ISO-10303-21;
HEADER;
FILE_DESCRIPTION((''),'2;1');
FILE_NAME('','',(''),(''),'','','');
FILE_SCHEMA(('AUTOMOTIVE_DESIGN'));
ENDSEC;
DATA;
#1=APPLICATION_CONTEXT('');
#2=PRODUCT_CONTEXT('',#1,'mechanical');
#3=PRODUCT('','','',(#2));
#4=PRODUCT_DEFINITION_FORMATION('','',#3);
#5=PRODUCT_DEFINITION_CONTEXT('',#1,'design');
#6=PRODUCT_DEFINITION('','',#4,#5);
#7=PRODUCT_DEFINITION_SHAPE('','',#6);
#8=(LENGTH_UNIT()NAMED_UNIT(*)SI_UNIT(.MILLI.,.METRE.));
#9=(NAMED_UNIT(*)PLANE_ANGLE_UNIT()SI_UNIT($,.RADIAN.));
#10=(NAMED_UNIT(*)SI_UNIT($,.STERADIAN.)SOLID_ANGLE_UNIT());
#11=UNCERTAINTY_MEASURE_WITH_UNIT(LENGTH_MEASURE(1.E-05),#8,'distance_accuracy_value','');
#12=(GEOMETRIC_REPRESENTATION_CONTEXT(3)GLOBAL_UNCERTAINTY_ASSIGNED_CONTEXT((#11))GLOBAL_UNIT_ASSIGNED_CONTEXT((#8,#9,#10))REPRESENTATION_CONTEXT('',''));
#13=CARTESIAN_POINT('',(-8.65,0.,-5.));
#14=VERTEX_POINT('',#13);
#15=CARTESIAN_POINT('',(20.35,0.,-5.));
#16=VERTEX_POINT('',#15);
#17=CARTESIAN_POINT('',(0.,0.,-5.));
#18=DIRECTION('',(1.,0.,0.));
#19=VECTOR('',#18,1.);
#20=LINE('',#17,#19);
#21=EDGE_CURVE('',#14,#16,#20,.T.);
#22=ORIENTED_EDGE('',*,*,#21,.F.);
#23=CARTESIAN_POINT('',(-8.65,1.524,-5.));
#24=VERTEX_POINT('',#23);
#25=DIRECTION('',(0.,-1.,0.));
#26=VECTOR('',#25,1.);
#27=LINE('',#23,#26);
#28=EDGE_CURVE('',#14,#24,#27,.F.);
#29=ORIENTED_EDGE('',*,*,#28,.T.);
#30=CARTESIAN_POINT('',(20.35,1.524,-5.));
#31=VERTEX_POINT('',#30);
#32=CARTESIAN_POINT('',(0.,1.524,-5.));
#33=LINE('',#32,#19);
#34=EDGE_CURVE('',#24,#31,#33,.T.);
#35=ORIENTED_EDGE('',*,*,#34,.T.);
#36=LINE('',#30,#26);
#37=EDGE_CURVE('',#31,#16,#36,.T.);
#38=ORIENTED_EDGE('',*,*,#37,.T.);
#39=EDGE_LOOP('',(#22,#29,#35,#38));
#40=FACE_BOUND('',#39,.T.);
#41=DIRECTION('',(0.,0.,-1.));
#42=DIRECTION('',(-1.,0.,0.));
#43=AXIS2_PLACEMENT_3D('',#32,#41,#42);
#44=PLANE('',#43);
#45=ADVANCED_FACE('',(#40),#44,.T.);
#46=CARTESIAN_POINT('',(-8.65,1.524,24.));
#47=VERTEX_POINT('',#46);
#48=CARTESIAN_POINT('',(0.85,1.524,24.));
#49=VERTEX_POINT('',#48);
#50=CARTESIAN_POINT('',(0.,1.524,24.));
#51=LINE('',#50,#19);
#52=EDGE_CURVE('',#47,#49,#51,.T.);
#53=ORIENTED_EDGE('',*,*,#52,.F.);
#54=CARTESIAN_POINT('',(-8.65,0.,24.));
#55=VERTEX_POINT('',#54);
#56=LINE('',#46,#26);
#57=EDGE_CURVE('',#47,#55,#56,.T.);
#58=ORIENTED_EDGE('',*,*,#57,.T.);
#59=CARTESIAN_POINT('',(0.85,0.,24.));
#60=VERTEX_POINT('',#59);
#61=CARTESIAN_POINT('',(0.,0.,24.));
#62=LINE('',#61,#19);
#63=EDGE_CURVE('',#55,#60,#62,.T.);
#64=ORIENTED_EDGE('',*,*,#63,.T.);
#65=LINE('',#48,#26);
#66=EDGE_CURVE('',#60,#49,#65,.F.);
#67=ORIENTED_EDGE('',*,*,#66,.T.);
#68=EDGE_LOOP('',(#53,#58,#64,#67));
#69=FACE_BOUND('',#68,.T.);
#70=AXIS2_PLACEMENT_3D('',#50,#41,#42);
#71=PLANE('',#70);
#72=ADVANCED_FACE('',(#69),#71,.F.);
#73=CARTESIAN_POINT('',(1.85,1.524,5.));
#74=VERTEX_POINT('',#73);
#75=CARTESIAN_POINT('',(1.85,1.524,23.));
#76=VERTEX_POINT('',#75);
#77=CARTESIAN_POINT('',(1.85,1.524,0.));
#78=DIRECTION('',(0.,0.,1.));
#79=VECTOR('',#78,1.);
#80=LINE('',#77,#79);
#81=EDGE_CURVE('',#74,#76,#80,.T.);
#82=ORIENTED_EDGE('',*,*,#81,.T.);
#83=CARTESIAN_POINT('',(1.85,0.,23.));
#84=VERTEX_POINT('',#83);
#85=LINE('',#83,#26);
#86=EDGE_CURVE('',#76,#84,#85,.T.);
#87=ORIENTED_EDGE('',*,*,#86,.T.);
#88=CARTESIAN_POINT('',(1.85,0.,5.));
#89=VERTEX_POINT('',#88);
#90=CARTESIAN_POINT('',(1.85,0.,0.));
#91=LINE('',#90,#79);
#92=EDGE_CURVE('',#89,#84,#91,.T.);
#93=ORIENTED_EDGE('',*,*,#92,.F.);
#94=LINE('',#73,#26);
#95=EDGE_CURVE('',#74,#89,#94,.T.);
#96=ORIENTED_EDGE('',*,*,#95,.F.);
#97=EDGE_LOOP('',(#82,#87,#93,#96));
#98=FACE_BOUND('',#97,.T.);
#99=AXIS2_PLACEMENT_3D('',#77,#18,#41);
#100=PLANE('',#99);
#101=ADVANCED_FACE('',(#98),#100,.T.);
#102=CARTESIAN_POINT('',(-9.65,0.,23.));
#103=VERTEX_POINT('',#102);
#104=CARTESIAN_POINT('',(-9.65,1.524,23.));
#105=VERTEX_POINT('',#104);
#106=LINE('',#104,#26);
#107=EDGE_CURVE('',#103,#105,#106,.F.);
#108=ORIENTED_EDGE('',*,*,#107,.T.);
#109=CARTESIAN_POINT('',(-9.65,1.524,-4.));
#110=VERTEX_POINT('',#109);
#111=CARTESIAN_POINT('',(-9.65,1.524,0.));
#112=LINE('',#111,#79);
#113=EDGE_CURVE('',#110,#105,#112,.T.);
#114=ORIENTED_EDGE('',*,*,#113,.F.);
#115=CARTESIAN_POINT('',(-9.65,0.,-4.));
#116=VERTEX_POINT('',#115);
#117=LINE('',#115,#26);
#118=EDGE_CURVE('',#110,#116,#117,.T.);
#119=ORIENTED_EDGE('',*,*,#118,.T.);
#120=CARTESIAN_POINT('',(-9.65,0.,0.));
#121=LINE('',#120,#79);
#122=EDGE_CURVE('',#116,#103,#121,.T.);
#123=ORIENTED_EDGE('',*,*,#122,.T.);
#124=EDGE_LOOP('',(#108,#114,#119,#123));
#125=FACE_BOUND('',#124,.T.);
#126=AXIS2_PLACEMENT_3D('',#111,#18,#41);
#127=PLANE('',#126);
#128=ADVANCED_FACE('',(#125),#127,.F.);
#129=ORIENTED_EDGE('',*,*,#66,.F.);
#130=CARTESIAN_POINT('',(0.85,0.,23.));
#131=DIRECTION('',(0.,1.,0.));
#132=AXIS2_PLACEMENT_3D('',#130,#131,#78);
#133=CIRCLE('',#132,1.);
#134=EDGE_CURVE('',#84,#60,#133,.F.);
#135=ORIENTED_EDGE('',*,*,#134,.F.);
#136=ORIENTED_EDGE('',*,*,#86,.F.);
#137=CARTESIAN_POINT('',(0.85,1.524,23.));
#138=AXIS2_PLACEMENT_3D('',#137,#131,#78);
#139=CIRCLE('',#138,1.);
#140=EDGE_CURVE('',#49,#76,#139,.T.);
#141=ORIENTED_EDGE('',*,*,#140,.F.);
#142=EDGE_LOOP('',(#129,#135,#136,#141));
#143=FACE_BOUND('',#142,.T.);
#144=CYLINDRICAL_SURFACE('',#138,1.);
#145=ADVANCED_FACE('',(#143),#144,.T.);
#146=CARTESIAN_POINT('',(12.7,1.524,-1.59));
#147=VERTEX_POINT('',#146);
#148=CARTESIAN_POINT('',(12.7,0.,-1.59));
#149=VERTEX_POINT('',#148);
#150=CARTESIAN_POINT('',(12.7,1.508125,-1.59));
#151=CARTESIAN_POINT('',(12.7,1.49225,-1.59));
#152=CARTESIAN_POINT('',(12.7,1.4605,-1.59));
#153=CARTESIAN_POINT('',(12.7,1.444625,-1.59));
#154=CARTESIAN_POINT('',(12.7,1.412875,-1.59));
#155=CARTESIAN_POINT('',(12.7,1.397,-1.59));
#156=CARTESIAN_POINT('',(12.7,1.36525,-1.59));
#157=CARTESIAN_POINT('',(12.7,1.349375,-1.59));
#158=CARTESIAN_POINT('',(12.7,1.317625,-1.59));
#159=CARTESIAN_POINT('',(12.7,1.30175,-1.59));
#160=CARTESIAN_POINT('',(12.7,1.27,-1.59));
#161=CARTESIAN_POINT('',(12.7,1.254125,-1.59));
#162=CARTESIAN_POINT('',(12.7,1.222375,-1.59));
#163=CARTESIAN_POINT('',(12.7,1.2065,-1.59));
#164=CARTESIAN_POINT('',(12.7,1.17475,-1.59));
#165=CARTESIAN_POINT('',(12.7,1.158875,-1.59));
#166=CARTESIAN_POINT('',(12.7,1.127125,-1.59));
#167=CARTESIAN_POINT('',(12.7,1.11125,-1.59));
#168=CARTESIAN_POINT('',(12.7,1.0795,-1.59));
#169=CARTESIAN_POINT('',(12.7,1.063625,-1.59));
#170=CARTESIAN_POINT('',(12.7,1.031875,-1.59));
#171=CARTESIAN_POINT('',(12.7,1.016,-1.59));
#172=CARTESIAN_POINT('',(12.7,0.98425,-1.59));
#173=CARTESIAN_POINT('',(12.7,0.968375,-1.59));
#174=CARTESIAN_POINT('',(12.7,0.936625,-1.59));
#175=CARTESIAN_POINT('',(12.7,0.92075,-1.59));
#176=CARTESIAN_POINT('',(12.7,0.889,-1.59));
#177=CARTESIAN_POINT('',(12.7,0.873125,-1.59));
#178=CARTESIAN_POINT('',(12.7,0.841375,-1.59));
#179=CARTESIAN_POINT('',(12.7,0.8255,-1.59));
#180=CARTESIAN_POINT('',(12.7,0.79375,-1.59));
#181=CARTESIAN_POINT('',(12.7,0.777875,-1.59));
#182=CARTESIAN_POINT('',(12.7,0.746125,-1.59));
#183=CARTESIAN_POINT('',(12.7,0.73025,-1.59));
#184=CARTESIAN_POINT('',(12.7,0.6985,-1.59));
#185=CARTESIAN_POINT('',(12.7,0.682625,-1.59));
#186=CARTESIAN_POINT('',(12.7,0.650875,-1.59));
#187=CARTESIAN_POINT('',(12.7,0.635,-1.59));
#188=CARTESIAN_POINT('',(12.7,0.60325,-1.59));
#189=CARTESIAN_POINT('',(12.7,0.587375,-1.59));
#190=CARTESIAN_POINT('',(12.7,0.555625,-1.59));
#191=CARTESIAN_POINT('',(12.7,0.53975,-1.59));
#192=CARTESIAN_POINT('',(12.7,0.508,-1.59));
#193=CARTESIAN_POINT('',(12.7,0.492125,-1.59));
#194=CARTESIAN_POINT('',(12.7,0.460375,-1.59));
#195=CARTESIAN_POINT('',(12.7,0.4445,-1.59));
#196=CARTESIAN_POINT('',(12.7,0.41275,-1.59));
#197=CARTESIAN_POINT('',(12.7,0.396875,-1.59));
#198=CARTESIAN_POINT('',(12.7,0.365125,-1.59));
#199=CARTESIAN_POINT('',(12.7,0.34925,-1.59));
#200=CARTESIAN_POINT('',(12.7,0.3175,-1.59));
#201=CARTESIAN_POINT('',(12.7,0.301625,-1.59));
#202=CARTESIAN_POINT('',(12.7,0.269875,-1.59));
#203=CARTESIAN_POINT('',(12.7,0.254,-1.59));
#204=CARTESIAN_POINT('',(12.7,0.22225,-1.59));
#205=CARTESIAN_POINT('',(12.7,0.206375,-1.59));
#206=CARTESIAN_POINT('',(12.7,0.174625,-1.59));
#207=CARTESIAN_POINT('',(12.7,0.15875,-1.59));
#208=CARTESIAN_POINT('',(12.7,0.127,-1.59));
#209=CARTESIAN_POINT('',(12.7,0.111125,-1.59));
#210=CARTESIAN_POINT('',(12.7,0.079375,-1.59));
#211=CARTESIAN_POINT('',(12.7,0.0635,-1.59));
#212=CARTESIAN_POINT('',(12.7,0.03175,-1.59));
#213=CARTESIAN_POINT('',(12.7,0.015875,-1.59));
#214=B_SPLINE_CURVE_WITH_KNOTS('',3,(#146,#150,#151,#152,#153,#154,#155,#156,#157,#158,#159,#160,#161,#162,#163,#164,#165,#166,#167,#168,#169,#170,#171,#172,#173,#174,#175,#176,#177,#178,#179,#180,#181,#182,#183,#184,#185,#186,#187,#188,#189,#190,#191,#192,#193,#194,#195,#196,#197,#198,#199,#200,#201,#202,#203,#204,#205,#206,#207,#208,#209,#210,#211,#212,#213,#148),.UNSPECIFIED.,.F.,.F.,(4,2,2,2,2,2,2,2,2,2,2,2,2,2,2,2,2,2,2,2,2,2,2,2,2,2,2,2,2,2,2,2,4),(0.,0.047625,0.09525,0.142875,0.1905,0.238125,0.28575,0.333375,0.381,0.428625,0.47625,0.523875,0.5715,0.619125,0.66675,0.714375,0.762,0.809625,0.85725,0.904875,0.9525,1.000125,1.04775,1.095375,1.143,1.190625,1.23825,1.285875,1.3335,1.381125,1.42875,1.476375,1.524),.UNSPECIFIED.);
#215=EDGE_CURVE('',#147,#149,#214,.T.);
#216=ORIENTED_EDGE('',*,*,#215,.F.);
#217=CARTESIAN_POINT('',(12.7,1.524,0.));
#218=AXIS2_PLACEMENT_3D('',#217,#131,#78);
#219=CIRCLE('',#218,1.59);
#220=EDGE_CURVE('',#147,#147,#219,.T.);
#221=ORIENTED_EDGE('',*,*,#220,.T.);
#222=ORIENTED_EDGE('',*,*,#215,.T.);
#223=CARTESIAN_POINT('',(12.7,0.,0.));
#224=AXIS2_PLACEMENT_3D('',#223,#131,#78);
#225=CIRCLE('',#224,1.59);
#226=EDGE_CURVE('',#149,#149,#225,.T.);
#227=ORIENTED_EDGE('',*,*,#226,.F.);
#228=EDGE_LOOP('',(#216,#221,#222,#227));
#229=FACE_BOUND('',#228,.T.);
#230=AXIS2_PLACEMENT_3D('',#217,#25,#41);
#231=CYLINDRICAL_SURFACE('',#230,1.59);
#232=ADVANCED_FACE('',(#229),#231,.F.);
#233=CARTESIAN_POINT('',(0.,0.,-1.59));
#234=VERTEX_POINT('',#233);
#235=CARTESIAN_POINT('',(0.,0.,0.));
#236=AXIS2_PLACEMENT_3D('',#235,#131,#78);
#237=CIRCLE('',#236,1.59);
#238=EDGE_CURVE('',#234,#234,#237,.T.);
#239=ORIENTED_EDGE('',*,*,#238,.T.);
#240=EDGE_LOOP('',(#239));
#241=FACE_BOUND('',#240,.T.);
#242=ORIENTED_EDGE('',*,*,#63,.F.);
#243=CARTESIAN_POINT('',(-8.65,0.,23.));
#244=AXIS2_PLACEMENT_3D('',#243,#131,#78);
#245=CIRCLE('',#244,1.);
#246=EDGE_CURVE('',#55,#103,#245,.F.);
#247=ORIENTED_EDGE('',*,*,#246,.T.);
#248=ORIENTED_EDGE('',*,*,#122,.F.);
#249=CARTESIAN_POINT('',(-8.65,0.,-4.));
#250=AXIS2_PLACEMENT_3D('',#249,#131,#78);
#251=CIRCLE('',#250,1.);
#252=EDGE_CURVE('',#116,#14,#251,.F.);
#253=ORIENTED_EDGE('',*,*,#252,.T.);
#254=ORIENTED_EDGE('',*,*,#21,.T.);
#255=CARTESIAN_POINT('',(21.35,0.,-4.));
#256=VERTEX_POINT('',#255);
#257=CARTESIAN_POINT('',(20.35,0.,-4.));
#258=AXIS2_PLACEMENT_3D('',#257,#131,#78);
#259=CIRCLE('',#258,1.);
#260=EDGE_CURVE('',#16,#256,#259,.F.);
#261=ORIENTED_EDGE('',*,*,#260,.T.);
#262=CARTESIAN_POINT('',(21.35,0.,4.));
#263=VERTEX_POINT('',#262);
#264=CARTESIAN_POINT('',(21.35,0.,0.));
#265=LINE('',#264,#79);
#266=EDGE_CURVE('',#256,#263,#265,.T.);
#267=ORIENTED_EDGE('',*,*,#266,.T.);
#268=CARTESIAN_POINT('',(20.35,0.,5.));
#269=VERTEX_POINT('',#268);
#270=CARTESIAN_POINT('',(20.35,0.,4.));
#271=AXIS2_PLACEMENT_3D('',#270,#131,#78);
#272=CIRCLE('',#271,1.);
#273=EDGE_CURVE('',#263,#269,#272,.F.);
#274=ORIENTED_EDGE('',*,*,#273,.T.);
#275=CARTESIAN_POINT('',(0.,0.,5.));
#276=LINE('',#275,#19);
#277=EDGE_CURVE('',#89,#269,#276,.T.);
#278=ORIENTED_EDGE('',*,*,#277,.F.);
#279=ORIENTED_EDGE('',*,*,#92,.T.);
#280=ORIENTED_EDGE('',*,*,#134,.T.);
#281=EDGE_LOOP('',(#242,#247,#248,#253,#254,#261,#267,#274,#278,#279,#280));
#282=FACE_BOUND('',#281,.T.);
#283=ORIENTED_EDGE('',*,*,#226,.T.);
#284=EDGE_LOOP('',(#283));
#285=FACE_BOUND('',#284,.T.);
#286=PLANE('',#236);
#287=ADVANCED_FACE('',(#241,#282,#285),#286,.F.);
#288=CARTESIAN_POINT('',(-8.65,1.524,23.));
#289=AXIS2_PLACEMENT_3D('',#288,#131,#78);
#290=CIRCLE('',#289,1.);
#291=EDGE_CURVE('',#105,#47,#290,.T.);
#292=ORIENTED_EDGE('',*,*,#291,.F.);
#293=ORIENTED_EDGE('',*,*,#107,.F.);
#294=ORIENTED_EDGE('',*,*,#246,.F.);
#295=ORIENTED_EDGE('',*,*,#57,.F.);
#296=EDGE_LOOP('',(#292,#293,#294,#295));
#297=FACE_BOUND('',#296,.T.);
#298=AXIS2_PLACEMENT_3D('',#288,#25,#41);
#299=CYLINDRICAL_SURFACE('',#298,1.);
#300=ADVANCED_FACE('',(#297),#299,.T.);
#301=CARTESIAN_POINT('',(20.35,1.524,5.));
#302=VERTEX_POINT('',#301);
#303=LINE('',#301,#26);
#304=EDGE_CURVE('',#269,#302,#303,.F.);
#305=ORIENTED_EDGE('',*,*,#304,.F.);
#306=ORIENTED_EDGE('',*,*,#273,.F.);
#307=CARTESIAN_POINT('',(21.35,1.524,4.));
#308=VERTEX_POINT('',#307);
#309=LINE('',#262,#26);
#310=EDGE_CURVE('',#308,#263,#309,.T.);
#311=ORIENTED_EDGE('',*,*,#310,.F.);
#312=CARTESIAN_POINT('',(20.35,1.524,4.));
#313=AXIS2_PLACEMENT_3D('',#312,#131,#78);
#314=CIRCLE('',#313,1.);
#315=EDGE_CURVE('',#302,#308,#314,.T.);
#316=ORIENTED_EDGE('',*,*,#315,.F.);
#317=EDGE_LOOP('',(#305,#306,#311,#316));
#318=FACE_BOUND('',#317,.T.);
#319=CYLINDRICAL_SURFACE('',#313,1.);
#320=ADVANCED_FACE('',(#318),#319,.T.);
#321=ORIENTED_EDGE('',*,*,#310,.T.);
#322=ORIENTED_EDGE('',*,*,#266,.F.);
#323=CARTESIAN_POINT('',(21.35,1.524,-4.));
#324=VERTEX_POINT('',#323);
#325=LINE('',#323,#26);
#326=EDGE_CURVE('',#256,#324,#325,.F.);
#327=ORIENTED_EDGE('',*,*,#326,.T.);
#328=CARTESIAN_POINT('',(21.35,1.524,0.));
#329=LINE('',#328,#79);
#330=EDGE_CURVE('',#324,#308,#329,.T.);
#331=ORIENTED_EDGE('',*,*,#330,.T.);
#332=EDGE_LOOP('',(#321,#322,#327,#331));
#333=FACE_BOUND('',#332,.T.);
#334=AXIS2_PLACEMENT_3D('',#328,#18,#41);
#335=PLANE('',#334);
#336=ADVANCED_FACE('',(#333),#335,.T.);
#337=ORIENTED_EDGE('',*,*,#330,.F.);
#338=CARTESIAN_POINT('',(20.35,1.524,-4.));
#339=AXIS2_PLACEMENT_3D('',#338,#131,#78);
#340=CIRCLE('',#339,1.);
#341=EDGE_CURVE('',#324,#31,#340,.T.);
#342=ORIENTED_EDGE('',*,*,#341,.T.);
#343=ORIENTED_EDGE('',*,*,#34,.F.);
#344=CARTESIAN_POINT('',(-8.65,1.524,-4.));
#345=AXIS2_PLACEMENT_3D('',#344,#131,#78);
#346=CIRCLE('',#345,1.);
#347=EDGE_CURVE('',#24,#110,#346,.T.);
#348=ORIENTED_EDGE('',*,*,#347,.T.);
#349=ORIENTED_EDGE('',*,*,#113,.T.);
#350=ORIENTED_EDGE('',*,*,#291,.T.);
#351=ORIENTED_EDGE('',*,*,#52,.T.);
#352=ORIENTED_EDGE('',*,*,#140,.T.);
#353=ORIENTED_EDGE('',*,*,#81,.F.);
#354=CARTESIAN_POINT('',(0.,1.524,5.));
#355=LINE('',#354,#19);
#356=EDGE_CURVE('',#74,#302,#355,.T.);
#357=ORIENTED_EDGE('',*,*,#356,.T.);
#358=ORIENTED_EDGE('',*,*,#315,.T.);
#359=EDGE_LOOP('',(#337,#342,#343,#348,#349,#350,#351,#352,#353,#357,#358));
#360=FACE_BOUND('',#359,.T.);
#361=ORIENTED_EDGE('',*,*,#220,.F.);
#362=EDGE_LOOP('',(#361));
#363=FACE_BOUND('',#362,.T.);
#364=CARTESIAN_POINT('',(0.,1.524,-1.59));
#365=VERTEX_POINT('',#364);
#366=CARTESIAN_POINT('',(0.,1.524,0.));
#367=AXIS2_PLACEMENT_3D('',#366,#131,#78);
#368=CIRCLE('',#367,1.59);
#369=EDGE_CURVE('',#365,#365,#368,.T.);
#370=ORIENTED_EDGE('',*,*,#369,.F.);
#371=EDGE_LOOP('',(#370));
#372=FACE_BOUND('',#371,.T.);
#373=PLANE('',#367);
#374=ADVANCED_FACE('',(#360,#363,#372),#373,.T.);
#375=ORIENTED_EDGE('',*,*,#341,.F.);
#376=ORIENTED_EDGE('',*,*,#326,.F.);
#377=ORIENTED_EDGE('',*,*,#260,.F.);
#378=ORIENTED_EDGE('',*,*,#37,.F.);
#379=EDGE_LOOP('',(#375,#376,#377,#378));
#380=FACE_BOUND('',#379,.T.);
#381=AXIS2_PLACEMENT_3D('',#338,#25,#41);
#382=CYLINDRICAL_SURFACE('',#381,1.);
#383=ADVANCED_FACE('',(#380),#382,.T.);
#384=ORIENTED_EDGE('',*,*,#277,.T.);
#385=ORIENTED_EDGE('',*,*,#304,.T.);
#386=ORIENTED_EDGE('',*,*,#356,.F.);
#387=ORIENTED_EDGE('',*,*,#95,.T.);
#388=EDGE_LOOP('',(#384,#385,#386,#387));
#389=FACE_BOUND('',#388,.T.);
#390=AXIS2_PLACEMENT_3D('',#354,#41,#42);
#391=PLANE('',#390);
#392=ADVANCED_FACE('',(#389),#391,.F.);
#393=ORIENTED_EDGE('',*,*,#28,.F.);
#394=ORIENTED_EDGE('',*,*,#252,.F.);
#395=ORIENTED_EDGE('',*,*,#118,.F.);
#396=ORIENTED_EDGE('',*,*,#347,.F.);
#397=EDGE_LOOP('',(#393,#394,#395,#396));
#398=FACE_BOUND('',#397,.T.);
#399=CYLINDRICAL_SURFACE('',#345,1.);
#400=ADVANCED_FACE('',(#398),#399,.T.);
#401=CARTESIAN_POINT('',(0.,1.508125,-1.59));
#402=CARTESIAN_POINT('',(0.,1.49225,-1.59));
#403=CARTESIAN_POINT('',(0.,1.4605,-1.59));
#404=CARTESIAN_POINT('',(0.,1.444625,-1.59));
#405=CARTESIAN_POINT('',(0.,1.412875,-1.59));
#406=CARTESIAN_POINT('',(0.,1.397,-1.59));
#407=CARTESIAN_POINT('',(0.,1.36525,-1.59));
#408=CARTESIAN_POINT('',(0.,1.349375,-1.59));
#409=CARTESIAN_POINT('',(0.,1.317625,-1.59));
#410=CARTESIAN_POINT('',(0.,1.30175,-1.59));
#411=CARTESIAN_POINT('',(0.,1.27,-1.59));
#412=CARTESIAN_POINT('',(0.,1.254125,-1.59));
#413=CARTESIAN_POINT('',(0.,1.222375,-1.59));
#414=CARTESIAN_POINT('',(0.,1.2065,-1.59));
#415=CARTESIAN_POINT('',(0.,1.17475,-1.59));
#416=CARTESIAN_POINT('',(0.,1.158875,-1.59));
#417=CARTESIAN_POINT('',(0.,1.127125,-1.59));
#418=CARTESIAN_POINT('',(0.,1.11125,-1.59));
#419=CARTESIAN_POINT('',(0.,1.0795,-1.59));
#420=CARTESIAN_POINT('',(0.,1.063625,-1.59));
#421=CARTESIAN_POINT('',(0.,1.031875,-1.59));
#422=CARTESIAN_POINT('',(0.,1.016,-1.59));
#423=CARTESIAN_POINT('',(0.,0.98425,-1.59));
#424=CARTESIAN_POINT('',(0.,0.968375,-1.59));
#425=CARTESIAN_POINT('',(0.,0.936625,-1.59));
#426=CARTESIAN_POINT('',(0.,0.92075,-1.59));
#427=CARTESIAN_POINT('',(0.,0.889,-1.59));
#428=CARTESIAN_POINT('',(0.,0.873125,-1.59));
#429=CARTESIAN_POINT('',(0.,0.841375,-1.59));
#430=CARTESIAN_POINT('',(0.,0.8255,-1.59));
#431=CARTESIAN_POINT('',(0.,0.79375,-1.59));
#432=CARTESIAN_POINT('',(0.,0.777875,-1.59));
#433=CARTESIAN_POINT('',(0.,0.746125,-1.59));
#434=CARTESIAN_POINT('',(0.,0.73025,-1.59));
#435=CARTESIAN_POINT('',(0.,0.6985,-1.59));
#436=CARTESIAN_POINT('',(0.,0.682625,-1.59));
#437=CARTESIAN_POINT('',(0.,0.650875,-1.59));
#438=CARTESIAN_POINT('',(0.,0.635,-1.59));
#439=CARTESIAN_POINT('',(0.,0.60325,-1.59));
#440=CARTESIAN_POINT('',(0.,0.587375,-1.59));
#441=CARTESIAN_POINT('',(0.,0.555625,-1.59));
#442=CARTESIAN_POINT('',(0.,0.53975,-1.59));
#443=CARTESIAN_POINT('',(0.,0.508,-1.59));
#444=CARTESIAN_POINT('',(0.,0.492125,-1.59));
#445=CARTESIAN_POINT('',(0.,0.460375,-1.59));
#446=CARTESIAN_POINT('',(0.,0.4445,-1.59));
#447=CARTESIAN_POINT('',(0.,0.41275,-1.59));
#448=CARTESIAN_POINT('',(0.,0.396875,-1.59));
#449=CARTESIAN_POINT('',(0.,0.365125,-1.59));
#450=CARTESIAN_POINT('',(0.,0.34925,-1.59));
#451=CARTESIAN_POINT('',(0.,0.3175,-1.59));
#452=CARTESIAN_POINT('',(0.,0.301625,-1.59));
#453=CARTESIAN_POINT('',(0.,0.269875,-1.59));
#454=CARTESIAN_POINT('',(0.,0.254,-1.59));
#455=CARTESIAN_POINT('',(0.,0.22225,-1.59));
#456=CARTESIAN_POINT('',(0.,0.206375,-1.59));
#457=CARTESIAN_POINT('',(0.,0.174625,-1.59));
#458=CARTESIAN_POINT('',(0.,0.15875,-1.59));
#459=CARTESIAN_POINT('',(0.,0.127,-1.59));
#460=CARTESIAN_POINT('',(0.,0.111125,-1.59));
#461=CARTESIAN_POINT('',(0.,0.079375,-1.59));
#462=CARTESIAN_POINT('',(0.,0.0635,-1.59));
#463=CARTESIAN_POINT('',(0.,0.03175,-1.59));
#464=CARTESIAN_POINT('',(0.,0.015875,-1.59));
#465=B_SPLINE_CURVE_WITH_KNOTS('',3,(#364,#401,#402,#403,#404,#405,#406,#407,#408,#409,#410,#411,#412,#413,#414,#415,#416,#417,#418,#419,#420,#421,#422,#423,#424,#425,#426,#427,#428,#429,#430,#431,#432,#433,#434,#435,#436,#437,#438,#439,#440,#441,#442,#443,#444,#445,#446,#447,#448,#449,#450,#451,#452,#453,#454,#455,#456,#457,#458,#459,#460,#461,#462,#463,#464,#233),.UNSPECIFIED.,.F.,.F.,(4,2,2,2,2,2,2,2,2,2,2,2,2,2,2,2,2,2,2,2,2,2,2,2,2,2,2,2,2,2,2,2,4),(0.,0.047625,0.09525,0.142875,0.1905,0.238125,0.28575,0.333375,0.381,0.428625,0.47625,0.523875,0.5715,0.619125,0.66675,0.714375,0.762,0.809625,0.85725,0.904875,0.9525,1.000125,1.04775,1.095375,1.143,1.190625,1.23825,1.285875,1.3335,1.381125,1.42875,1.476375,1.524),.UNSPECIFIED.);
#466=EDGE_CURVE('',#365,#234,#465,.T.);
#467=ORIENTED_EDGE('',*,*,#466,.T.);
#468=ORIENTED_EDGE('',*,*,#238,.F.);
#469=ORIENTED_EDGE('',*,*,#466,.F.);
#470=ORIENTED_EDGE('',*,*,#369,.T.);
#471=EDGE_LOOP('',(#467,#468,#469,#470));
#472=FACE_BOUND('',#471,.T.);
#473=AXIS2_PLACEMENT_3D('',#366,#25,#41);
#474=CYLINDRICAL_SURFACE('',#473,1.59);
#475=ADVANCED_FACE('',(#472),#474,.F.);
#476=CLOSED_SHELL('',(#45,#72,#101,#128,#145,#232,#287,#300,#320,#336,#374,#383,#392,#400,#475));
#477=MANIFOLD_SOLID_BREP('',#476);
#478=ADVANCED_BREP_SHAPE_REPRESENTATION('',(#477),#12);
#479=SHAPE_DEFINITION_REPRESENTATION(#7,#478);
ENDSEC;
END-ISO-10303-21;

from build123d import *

# Parameters (mm, degrees)
SKETCH1_R           = 1.59
BOSS_EXTRUDE1_DEPTH = 1.524
FILLET1_R           = 1


with BuildPart() as part:
    # Sketch1 → Boss-Extrude1 (new body)
    with BuildSketch(Plane(origin=(0, 0, 0), x_dir=(1, 0, 0), z_dir=(0, 1, 0))):
        Polygon((-9.65, 5), (-9.65, -24), (1.85, -24), (1.85, -5), (21.35, -5), (21.35, 5), align=None)
        with Locations(Location((0, 0, 0), (0, 0, 90))):
            Circle(SKETCH1_R, mode=Mode.SUBTRACT)
        with Locations(Location((12.7, 0, 0), (0, 0, 90))):
            Circle(SKETCH1_R, mode=Mode.SUBTRACT)
    extrude(amount=BOSS_EXTRUDE1_DEPTH)

    # Fillet1
    fillet1_edges = [part.edges().sort_by_distance(p)[0] for p in [
        (-9.65, 0.762, -5),
        (21.35, 0.762, -5),
        (21.35, 0.762, 5),
        (1.85, 0.762, 24),
        (-9.65, 0.762, 24),
    ]]
    fillet(fillet1_edges, radius=FILLET1_R)


solid = part.part
